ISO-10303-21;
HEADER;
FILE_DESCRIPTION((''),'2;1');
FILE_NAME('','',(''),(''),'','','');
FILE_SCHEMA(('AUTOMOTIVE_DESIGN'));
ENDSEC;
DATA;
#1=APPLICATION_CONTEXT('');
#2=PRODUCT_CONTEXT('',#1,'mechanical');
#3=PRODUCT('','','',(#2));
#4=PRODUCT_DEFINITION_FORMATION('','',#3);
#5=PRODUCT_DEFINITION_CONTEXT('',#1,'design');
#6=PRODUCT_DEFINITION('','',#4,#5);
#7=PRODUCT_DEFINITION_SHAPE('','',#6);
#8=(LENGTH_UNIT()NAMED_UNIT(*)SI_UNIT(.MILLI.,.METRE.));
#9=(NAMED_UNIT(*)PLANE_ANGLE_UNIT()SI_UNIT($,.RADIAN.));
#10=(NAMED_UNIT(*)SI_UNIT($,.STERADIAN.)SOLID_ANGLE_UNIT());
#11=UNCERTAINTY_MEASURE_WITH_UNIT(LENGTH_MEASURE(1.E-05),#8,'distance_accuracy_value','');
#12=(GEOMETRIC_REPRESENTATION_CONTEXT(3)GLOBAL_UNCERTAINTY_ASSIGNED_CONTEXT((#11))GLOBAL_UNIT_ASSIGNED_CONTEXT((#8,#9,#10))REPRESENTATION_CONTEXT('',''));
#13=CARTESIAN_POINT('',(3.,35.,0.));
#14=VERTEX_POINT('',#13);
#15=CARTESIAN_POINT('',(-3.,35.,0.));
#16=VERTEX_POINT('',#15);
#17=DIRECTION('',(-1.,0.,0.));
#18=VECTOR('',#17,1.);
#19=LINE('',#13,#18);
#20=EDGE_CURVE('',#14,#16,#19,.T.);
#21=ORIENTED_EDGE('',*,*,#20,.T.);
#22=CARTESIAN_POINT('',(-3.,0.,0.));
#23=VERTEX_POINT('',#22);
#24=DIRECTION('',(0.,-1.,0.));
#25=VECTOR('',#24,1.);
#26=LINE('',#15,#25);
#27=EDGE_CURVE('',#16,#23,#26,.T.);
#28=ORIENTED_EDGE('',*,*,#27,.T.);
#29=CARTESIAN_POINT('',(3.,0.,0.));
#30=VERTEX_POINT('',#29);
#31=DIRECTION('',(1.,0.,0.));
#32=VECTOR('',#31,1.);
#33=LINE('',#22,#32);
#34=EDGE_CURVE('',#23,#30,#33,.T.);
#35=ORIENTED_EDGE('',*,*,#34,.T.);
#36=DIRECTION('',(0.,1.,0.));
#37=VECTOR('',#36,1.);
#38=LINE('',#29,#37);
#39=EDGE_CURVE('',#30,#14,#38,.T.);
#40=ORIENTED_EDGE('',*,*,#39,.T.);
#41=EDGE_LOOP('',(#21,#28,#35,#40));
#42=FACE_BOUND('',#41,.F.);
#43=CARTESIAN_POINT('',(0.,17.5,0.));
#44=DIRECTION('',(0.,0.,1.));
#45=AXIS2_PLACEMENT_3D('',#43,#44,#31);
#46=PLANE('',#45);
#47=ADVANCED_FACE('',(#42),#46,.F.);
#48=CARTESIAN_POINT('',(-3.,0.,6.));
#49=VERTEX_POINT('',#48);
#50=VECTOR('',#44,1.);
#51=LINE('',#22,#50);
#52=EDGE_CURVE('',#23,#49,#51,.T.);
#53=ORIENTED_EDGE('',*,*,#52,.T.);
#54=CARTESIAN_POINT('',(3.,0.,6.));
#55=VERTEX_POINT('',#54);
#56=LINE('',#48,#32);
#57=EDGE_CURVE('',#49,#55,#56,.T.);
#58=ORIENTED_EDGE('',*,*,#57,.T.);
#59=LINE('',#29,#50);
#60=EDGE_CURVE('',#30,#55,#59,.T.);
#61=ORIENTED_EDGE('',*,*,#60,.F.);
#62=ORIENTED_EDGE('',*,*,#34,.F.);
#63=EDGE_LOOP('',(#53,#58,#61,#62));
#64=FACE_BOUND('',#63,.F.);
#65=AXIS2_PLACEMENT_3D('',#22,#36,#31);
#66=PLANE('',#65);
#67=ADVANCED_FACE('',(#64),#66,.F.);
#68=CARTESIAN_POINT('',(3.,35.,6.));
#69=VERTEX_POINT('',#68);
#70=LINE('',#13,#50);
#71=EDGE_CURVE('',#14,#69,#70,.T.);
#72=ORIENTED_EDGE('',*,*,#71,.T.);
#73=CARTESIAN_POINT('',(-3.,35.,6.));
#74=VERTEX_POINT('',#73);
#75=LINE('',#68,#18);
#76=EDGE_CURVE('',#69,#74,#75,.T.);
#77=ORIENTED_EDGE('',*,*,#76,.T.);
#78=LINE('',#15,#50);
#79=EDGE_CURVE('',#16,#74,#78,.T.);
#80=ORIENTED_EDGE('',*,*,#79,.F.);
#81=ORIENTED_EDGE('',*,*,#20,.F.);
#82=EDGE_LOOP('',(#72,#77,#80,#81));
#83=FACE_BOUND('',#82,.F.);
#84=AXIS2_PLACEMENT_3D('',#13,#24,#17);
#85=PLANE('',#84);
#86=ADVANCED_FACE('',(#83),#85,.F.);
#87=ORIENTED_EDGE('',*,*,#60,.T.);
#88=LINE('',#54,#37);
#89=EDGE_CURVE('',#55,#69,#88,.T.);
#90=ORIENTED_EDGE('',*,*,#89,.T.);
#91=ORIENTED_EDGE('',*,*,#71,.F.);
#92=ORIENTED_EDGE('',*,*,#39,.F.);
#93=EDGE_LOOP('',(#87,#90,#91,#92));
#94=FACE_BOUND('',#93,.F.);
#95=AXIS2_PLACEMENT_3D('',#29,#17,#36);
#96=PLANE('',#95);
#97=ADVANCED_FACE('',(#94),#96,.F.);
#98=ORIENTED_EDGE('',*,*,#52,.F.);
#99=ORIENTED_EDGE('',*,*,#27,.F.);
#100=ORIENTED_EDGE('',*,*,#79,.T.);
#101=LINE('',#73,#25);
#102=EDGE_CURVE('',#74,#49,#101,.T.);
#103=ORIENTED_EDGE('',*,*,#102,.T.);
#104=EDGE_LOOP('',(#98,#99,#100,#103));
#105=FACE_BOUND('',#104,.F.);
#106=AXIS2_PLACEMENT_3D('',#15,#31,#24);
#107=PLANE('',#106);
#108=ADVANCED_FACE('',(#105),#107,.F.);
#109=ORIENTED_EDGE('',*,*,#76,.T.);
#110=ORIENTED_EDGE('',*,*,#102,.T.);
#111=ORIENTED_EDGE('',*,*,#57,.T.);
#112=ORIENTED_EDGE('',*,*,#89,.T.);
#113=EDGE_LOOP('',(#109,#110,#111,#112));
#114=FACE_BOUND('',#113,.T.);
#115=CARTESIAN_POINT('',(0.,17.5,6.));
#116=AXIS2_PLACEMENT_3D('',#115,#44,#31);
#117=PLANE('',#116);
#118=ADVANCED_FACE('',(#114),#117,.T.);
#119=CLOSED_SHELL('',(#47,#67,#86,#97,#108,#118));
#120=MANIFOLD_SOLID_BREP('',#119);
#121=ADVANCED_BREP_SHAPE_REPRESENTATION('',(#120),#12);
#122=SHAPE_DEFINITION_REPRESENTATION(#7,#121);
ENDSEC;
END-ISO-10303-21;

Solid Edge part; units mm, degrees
sketch "Sketch1" plane through (0, 0, 0) normal (0, 0, 1) x (1, 0, 0)
  line L0 (-3, 0) -> (3, 0)
  line L1 (3, 0) -> (3, 35)
  line L2 (3, 35) -> (-3, 35)
  line L3 (-3, 35) -> (-3, 0)
  dimension "D1" = 35
  dimension "D2" = 6
extrude "Protrusion1" add sketch "Sketch1" along normal blind 6
properties material "Steel"
